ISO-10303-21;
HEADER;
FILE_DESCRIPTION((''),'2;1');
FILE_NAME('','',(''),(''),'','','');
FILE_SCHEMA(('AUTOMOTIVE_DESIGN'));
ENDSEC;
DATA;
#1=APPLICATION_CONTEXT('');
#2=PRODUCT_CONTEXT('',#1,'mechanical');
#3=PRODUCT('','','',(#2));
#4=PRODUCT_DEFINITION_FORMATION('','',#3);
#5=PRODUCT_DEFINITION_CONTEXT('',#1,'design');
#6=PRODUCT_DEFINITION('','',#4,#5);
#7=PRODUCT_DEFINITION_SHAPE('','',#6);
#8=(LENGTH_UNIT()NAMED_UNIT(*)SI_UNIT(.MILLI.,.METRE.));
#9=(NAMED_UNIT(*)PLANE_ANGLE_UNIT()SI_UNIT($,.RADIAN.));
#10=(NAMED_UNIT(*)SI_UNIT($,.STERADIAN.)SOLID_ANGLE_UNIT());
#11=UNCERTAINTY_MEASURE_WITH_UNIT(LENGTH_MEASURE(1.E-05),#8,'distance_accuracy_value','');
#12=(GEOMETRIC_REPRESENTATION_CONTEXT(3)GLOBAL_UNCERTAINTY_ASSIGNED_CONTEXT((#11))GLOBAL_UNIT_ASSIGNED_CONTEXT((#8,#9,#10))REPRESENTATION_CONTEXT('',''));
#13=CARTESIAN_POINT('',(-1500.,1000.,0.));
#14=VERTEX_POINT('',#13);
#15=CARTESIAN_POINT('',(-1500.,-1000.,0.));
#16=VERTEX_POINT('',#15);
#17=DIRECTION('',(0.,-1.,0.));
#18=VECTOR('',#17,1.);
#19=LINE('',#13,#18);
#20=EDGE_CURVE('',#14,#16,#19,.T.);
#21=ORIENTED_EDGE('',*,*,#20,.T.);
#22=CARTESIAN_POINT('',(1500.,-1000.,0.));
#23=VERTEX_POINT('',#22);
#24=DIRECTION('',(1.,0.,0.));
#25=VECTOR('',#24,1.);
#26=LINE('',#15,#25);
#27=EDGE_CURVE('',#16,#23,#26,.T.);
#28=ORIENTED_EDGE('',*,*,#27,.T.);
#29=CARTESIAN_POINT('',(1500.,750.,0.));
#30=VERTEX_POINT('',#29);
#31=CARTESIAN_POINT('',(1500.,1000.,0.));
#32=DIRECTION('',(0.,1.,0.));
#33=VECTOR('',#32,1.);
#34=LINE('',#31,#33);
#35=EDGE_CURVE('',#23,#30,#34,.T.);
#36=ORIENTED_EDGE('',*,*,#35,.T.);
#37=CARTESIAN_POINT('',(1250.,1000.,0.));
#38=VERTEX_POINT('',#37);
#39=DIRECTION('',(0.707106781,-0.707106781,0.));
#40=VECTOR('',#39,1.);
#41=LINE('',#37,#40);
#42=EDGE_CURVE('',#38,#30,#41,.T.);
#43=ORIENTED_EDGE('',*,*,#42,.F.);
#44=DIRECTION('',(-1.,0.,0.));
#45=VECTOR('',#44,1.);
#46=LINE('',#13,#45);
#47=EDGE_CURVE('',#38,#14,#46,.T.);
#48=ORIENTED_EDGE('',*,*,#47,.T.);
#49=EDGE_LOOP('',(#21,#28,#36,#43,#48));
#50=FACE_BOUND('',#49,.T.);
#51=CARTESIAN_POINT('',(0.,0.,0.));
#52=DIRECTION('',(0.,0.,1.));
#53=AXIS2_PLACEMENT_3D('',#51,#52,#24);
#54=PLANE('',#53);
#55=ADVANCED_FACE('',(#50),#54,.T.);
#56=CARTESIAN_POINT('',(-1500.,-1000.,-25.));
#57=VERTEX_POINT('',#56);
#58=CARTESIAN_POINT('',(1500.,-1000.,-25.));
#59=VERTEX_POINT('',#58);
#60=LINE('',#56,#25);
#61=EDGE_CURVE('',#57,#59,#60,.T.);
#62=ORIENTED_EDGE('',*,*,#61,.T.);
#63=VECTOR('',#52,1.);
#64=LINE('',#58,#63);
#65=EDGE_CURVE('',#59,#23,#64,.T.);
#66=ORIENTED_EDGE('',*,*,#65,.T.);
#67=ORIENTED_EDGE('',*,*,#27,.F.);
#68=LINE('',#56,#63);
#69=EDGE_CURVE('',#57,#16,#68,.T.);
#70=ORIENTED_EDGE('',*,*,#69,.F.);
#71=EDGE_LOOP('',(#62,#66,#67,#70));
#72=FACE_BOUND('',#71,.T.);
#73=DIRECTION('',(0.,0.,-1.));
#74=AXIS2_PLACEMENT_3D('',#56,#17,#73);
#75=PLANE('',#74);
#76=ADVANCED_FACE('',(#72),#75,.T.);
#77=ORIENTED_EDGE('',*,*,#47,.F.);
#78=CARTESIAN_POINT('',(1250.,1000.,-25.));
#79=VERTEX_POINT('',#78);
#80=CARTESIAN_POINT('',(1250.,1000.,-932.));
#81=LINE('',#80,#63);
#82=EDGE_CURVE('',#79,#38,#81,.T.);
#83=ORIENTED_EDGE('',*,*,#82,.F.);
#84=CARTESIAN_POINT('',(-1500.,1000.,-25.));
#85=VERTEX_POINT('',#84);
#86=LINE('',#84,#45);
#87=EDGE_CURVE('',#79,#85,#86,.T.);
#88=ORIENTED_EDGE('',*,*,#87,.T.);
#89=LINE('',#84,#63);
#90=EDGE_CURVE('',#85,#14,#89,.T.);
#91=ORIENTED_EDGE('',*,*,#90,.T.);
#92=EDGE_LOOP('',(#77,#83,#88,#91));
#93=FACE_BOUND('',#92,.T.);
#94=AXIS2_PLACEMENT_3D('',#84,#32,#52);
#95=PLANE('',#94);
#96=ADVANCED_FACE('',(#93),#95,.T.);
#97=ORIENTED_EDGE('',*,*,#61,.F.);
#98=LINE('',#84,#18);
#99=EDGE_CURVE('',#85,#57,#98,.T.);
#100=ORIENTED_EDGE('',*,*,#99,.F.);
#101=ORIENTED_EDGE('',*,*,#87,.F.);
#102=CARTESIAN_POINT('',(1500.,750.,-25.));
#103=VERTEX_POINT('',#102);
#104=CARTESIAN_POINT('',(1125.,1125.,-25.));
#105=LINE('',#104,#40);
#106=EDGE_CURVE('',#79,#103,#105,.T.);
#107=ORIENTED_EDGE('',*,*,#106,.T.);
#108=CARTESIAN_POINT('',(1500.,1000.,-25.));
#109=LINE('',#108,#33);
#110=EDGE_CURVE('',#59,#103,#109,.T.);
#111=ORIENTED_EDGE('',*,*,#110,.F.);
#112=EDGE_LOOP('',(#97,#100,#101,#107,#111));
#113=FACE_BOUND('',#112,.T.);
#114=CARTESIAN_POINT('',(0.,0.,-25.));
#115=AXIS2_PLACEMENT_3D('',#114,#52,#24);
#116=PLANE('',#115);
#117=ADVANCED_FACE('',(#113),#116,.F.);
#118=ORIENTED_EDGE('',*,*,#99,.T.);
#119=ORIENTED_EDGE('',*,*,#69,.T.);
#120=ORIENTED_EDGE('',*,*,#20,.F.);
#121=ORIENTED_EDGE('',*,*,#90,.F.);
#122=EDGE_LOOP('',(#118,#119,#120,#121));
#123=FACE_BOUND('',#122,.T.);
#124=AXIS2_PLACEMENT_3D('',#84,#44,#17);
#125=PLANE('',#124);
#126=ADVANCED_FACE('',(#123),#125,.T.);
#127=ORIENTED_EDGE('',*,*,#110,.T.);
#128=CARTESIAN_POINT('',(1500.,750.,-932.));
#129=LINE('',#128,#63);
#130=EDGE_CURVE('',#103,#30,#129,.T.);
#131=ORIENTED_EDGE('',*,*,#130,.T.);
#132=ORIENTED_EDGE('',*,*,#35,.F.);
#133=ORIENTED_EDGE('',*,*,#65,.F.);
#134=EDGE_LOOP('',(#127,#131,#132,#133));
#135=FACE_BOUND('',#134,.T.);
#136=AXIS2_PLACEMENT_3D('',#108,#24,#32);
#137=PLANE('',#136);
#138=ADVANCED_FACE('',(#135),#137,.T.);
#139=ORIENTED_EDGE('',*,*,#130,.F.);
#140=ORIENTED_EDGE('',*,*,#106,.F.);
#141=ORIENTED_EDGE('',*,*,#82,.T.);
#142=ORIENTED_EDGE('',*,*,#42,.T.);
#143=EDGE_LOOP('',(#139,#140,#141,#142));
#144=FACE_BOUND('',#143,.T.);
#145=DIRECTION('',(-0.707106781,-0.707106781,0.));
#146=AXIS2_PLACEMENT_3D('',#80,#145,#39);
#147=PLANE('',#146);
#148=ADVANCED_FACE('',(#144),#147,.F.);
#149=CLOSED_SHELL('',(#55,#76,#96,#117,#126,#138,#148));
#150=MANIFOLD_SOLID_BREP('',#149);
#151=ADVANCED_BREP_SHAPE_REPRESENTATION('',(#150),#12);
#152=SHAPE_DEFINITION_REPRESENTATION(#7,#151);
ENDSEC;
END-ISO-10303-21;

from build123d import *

# Parameters (mm, degrees)
SKETCH2_W           = 3000
SKETCH2_H           = 2000
BOSS_EXTRUDE1_DEPTH = 25
CUT_EXTRUDE1_DEPTH  = 932


with BuildPart() as part:
    # Sketch2 → Boss-Extrude1 (new body)
    with BuildSketch(Plane.XY):
        Rectangle(SKETCH2_W, SKETCH2_H)
    extrude(amount=-BOSS_EXTRUDE1_DEPTH)

    # Sketch3 → Cut-Extrude1 (cut)
    with BuildSketch(Plane.XY):
        Polygon((1500, 750), (1500, 1000), (1250, 1000), align=None)
    extrude(amount=-CUT_EXTRUDE1_DEPTH, mode=Mode.SUBTRACT)


solid = part.part
